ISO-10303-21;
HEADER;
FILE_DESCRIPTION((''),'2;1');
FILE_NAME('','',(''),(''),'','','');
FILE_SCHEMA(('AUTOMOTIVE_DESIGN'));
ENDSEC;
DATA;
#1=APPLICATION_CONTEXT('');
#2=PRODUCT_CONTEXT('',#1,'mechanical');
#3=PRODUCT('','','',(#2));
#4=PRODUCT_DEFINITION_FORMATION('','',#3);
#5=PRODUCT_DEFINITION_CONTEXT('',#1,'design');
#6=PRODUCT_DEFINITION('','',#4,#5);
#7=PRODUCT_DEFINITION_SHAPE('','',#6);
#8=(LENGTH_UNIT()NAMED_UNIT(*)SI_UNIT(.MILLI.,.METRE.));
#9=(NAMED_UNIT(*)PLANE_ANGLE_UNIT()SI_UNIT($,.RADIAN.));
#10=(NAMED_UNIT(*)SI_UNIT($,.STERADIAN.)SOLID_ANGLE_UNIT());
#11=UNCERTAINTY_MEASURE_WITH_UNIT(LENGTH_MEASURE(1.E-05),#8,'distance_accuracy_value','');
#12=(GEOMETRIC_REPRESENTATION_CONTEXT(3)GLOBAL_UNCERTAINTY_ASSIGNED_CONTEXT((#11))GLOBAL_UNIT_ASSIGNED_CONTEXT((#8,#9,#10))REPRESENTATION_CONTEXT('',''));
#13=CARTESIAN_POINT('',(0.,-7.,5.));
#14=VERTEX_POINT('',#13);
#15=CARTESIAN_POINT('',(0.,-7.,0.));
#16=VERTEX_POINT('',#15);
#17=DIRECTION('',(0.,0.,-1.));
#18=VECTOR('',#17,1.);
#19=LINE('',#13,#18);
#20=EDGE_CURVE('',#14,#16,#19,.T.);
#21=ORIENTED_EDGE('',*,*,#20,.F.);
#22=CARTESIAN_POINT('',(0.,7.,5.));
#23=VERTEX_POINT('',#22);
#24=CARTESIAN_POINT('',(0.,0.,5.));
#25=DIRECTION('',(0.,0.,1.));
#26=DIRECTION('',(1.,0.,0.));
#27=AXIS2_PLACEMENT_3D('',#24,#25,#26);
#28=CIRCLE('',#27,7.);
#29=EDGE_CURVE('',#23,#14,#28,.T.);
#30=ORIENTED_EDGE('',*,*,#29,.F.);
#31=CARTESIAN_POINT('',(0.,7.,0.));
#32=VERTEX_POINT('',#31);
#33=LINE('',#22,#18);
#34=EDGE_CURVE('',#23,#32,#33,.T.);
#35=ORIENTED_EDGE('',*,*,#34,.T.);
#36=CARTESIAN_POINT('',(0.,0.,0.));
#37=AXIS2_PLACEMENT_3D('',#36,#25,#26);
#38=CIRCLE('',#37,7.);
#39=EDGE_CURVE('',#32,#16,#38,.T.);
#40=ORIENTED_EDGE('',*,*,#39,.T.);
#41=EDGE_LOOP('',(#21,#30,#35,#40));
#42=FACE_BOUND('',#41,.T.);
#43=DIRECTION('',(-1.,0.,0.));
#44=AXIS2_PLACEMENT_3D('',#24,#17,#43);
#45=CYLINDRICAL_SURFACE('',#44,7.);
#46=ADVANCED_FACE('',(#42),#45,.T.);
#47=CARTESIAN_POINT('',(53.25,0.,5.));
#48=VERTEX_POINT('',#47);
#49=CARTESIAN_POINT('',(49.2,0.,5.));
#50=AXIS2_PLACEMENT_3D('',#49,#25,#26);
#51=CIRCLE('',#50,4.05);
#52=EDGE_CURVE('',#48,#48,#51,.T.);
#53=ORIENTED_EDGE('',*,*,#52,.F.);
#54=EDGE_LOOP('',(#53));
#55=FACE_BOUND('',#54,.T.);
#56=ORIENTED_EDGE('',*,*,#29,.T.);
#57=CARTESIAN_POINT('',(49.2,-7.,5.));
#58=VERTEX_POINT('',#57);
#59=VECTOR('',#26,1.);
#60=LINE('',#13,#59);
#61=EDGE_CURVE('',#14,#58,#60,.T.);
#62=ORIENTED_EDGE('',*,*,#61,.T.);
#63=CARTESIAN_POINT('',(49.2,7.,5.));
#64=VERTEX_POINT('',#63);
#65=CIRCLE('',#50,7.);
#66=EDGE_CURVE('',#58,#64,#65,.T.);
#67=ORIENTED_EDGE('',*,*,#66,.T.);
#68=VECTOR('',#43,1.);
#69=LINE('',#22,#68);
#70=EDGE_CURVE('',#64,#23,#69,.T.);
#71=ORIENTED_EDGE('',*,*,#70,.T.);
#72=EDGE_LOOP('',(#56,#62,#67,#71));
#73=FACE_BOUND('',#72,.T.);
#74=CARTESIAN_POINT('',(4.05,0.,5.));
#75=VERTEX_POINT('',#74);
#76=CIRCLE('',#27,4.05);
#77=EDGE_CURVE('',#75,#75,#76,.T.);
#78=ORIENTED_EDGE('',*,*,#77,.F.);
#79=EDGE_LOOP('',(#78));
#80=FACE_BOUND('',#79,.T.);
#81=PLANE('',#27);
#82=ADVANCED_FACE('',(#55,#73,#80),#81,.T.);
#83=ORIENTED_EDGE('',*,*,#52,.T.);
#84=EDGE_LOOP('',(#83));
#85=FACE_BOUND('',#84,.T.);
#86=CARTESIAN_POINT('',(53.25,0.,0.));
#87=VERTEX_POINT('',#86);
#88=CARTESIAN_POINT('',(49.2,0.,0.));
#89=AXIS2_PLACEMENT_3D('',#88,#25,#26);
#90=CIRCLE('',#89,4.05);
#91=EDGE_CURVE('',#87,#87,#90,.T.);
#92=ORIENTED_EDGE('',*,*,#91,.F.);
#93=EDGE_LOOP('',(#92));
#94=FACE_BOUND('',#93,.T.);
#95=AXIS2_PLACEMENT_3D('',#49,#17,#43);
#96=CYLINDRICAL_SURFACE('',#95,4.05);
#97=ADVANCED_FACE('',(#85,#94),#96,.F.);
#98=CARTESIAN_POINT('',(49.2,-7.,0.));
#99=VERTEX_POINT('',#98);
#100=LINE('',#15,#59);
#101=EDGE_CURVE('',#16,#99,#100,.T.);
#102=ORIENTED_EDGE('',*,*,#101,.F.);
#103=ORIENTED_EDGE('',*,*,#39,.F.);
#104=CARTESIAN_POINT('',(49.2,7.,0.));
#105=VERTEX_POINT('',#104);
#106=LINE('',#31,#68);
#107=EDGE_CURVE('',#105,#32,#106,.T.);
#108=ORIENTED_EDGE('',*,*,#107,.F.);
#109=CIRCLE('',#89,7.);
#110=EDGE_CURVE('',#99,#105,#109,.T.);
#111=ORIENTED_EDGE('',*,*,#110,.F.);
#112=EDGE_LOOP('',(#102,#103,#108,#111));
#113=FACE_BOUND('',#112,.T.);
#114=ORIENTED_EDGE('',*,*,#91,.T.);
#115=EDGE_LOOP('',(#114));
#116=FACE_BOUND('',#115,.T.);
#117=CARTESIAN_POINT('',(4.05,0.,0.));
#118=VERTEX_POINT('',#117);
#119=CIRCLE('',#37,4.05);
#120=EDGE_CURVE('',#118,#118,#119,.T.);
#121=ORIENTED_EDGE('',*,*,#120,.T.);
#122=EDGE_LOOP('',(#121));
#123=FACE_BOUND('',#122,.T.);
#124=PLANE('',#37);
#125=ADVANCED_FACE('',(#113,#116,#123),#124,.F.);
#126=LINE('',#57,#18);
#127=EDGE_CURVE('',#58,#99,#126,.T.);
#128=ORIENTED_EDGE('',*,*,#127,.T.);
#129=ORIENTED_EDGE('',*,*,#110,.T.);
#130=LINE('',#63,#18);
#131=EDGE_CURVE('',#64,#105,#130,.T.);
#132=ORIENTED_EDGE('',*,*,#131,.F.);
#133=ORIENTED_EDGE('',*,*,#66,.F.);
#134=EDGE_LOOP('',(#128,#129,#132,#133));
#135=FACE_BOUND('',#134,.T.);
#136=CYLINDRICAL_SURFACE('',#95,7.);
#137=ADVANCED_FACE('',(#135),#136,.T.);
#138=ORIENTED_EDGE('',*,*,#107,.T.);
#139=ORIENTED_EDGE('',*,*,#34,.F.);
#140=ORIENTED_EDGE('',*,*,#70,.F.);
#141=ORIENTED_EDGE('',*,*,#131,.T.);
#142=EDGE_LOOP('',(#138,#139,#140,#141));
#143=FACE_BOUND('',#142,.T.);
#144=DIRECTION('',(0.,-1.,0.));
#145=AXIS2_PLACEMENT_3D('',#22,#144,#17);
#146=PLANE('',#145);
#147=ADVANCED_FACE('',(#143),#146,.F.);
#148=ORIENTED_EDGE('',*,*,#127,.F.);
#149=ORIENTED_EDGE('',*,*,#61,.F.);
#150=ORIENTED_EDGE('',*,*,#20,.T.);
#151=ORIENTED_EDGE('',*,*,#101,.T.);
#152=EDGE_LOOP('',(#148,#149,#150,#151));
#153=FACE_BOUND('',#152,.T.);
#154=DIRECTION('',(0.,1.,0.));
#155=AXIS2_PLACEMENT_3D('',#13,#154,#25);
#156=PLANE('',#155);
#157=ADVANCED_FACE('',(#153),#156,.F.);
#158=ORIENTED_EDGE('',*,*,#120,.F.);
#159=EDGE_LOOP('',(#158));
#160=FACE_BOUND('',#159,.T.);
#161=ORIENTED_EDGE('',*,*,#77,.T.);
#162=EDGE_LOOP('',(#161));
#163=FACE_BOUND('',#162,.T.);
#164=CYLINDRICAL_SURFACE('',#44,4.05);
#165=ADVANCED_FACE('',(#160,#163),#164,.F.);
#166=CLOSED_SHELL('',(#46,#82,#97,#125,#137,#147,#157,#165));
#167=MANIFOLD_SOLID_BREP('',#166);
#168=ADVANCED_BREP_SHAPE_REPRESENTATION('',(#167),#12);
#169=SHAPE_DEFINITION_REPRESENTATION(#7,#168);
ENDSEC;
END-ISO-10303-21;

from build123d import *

# Parameters (mm, degrees)
SKETCH_1_R      = 7
SKETCH_1_R_2    = 4.05
EXTRUDE_1_DEPTH = 5


with BuildPart() as part:
    # 草图1 → 凸台-拉伸1 (new body)
    # profile 1 of 3: a face of its own
    with BuildSketch(Plane.XY):
        with BuildLine():
            ThreePointArc((7, 0), (4.949747468, -4.949747468), (0, -7))
            Line((0, -7), (49.2, -7))
            ThreePointArc((49.2, -7), (42.2, 0), (49.2, 7))
            Line((49.2, 7), (0, 7))
            ThreePointArc((0, 7), (4.949747468, 4.949747468), (7, 0))
        make_face()
    # profile 2 of 3: a face of its own
    with BuildSketch(Plane.XY):
        Circle(SKETCH_1_R)
        Circle(SKETCH_1_R_2, mode=Mode.SUBTRACT)
    # profile 3 of 3: a face of its own
    with BuildSketch(Plane.XY):
        with Locations((49.2, 0)):
            Circle(SKETCH_1_R)
        with Locations((49.2, 0)):
            Circle(SKETCH_1_R_2, mode=Mode.SUBTRACT)
    extrude(amount=EXTRUDE_1_DEPTH)


solid = part.part
